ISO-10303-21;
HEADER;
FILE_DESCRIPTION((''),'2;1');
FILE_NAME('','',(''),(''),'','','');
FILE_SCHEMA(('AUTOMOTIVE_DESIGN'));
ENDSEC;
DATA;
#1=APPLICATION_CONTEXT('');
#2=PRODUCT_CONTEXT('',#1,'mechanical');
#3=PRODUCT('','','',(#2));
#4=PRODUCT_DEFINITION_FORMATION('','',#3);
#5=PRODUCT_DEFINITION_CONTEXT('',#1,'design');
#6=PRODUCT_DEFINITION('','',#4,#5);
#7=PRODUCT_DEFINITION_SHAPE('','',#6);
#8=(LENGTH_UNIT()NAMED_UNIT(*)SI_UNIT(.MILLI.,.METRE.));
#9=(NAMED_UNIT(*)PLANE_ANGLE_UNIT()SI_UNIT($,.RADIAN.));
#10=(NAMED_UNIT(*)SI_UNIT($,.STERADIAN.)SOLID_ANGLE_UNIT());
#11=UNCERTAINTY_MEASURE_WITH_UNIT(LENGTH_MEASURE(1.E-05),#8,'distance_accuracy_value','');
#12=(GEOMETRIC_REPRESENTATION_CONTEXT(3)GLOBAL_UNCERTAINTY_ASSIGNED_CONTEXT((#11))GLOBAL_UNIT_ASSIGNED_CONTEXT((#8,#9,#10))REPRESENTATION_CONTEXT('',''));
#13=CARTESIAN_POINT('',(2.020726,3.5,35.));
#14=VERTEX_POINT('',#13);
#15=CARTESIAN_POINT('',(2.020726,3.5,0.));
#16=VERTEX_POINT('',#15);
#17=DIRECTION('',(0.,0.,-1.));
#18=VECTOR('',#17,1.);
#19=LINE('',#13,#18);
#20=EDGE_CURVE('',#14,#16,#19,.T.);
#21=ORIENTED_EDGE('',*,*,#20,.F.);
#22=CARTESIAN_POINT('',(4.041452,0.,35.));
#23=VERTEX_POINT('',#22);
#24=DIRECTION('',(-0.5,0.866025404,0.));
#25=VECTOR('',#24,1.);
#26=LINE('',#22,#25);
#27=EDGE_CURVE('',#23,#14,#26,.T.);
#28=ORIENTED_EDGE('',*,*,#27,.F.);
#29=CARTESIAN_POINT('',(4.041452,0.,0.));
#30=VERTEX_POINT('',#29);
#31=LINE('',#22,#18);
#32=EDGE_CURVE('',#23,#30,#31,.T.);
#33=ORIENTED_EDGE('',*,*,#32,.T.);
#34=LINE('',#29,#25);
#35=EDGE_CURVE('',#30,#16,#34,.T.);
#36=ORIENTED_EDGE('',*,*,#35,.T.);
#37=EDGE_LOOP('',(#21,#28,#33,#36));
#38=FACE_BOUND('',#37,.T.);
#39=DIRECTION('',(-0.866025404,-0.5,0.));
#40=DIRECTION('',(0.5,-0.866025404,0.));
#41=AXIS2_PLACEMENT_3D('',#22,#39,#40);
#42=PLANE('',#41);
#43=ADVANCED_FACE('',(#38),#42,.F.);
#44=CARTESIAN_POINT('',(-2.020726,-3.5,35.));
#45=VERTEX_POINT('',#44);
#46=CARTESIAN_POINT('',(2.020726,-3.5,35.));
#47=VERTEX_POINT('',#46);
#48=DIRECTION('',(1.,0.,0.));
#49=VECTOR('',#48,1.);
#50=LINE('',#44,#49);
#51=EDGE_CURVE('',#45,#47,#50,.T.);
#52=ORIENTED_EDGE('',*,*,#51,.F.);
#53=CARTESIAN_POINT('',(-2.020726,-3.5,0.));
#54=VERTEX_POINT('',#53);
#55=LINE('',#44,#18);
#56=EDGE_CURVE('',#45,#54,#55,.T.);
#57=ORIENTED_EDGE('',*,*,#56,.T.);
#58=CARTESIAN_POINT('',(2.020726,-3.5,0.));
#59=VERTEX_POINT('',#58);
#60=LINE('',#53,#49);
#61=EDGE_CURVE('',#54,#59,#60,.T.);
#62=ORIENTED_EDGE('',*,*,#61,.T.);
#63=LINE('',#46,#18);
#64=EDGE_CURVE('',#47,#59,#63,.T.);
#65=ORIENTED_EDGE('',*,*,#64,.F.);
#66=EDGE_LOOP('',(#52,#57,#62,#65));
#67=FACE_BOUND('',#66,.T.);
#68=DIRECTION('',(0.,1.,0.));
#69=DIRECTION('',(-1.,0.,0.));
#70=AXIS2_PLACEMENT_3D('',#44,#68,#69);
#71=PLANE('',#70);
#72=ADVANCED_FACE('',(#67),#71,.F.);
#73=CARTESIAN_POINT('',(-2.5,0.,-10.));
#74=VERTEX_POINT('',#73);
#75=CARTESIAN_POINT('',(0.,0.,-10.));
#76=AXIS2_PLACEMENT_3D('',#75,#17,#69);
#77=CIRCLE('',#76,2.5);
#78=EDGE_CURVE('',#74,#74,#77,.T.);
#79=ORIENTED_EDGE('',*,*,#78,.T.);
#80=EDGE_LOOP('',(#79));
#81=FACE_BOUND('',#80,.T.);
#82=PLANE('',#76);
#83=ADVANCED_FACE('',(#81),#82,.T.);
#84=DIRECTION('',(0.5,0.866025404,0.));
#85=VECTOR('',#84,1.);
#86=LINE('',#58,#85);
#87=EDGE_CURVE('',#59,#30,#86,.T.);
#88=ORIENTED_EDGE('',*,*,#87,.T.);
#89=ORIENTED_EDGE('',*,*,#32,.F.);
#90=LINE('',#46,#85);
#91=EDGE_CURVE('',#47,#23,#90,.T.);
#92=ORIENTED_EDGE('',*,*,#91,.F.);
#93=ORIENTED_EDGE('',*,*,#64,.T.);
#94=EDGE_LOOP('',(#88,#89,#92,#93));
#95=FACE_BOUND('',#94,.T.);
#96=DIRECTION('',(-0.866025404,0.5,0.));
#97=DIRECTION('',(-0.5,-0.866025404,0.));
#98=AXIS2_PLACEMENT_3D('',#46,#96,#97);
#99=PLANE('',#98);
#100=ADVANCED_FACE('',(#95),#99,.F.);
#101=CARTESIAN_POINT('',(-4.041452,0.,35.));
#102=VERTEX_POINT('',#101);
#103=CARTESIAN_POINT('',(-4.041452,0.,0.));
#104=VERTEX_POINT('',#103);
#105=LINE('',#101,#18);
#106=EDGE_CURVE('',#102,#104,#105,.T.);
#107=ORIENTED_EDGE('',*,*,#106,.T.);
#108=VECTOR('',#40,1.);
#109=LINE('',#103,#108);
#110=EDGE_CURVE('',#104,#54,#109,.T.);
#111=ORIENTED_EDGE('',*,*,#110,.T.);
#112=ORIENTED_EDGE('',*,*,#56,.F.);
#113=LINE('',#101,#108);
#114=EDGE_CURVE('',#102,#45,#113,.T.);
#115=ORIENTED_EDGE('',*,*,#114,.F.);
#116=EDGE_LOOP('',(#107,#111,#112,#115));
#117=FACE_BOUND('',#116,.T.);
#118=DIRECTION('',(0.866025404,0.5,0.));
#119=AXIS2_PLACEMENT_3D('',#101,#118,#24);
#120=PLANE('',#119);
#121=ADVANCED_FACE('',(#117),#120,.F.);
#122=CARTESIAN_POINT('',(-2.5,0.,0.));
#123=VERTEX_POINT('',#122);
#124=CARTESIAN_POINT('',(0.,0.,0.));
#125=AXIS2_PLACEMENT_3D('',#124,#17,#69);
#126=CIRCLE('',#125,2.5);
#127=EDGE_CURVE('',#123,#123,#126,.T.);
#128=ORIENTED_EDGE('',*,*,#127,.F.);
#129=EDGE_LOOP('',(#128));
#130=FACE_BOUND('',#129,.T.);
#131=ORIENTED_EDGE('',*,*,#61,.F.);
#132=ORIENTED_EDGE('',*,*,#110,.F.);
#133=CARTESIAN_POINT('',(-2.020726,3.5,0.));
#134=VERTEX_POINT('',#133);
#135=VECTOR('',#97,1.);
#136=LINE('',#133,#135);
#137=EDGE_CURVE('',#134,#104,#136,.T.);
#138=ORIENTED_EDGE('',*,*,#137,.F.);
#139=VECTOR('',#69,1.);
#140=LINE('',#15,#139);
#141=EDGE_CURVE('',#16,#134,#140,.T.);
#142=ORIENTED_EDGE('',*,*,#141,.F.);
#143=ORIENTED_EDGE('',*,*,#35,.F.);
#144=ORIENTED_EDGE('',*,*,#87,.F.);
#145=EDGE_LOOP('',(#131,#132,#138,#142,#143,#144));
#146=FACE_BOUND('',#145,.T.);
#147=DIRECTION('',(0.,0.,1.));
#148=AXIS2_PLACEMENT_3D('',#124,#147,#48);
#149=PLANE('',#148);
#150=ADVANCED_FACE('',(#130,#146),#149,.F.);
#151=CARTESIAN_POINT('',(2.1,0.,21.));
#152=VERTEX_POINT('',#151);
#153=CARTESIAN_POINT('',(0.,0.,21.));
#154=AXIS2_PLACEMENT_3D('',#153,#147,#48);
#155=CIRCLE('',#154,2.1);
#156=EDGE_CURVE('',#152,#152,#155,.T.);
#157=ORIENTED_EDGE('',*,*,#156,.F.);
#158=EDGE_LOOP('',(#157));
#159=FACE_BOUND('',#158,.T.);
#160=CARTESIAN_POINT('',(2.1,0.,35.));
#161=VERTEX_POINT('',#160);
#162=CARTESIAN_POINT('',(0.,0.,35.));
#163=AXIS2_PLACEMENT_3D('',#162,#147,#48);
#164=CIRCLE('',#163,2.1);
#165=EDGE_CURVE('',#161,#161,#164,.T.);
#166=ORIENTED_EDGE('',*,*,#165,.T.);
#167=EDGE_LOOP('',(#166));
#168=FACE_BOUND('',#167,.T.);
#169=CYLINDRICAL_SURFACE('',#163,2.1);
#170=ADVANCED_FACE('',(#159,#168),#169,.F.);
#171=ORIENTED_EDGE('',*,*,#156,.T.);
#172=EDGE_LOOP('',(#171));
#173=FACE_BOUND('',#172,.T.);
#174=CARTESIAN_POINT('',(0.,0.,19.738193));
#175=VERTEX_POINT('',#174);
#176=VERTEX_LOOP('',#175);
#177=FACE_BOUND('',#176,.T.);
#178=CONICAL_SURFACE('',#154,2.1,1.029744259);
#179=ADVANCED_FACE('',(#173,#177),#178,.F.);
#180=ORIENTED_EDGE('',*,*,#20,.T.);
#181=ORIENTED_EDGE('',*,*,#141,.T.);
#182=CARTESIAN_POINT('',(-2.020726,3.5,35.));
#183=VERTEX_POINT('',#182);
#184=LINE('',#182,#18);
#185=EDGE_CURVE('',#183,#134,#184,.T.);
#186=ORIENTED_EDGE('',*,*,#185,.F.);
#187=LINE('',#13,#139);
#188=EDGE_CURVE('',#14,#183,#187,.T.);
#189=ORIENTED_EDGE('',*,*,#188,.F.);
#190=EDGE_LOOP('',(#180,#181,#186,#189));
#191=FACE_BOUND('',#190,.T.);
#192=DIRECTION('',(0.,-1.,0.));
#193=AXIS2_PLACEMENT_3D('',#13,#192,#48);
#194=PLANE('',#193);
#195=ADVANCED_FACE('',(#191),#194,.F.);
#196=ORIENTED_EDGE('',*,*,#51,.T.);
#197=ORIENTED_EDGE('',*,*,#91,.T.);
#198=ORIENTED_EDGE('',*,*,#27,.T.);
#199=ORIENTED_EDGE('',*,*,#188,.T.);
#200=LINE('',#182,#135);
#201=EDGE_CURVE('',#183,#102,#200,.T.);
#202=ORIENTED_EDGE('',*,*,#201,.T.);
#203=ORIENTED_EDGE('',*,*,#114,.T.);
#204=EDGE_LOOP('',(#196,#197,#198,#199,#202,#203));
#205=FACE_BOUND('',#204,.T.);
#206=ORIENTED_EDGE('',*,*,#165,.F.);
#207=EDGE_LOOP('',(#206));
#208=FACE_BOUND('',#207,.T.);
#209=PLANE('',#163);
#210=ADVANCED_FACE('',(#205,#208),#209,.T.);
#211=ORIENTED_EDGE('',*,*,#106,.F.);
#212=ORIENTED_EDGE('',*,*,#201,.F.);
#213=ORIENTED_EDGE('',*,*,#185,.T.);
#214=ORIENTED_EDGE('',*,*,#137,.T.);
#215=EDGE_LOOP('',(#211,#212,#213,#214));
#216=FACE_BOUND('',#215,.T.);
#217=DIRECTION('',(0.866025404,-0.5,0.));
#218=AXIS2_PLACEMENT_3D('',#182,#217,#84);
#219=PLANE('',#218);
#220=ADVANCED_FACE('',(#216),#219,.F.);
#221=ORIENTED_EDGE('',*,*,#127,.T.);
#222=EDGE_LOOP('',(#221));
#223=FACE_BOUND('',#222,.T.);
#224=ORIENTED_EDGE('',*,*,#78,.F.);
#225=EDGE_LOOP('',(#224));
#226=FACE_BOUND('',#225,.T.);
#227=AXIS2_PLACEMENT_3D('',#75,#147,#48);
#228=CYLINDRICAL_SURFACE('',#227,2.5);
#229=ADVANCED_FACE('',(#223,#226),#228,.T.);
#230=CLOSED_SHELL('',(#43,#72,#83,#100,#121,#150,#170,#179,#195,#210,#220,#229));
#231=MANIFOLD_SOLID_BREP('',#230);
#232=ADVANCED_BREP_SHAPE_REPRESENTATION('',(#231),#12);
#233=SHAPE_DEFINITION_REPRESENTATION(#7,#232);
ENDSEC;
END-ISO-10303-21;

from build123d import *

# Parameters (mm, degrees)
EXTRUDE_1_DEPTH           = 35
SKETCH_4_R                = 2.5
EXTRUDE_2_DEPTH           = 10
M5X0_8_TAPPED_HOLE1_D     = 4.2
M5X0_8_TAPPED_HOLE1_DEPTH = 14
M5X0_8_TAPPED_HOLE1_TIP   = 1.2618073


with BuildPart() as part:
    # 草圖1 → 填料-伸長1 (new body)
    with BuildSketch(Plane.XY):
        Polygon((-2.020725942, 3.5), (-4.041451884, 0), (-2.020725942, -3.5), (2.020725942, -3.5), (4.041451884, 0), (2.020725942, 3.5), align=None)
    extrude(amount=EXTRUDE_1_DEPTH)

    # 草圖4 → 填料-伸長2 (add)
    with BuildSketch(Plane(origin=(0, 0, 0), x_dir=(-1, 0, 0), z_dir=(0, 0, -1))):
        Circle(SKETCH_4_R)
    extrude(amount=EXTRUDE_2_DEPTH)

    # M5x0.8 Tapped Hole1
    with Locations(Plane.XY.offset(35)):
        with Locations((0, 0)):
            Hole(M5X0_8_TAPPED_HOLE1_D / 2, depth=M5X0_8_TAPPED_HOLE1_DEPTH)
            with Locations((0, 0, -(M5X0_8_TAPPED_HOLE1_DEPTH + M5X0_8_TAPPED_HOLE1_TIP / 2))):  # 118° drill point
                Cone(0, M5X0_8_TAPPED_HOLE1_D / 2, M5X0_8_TAPPED_HOLE1_TIP, mode=Mode.SUBTRACT)


solid = part.part
